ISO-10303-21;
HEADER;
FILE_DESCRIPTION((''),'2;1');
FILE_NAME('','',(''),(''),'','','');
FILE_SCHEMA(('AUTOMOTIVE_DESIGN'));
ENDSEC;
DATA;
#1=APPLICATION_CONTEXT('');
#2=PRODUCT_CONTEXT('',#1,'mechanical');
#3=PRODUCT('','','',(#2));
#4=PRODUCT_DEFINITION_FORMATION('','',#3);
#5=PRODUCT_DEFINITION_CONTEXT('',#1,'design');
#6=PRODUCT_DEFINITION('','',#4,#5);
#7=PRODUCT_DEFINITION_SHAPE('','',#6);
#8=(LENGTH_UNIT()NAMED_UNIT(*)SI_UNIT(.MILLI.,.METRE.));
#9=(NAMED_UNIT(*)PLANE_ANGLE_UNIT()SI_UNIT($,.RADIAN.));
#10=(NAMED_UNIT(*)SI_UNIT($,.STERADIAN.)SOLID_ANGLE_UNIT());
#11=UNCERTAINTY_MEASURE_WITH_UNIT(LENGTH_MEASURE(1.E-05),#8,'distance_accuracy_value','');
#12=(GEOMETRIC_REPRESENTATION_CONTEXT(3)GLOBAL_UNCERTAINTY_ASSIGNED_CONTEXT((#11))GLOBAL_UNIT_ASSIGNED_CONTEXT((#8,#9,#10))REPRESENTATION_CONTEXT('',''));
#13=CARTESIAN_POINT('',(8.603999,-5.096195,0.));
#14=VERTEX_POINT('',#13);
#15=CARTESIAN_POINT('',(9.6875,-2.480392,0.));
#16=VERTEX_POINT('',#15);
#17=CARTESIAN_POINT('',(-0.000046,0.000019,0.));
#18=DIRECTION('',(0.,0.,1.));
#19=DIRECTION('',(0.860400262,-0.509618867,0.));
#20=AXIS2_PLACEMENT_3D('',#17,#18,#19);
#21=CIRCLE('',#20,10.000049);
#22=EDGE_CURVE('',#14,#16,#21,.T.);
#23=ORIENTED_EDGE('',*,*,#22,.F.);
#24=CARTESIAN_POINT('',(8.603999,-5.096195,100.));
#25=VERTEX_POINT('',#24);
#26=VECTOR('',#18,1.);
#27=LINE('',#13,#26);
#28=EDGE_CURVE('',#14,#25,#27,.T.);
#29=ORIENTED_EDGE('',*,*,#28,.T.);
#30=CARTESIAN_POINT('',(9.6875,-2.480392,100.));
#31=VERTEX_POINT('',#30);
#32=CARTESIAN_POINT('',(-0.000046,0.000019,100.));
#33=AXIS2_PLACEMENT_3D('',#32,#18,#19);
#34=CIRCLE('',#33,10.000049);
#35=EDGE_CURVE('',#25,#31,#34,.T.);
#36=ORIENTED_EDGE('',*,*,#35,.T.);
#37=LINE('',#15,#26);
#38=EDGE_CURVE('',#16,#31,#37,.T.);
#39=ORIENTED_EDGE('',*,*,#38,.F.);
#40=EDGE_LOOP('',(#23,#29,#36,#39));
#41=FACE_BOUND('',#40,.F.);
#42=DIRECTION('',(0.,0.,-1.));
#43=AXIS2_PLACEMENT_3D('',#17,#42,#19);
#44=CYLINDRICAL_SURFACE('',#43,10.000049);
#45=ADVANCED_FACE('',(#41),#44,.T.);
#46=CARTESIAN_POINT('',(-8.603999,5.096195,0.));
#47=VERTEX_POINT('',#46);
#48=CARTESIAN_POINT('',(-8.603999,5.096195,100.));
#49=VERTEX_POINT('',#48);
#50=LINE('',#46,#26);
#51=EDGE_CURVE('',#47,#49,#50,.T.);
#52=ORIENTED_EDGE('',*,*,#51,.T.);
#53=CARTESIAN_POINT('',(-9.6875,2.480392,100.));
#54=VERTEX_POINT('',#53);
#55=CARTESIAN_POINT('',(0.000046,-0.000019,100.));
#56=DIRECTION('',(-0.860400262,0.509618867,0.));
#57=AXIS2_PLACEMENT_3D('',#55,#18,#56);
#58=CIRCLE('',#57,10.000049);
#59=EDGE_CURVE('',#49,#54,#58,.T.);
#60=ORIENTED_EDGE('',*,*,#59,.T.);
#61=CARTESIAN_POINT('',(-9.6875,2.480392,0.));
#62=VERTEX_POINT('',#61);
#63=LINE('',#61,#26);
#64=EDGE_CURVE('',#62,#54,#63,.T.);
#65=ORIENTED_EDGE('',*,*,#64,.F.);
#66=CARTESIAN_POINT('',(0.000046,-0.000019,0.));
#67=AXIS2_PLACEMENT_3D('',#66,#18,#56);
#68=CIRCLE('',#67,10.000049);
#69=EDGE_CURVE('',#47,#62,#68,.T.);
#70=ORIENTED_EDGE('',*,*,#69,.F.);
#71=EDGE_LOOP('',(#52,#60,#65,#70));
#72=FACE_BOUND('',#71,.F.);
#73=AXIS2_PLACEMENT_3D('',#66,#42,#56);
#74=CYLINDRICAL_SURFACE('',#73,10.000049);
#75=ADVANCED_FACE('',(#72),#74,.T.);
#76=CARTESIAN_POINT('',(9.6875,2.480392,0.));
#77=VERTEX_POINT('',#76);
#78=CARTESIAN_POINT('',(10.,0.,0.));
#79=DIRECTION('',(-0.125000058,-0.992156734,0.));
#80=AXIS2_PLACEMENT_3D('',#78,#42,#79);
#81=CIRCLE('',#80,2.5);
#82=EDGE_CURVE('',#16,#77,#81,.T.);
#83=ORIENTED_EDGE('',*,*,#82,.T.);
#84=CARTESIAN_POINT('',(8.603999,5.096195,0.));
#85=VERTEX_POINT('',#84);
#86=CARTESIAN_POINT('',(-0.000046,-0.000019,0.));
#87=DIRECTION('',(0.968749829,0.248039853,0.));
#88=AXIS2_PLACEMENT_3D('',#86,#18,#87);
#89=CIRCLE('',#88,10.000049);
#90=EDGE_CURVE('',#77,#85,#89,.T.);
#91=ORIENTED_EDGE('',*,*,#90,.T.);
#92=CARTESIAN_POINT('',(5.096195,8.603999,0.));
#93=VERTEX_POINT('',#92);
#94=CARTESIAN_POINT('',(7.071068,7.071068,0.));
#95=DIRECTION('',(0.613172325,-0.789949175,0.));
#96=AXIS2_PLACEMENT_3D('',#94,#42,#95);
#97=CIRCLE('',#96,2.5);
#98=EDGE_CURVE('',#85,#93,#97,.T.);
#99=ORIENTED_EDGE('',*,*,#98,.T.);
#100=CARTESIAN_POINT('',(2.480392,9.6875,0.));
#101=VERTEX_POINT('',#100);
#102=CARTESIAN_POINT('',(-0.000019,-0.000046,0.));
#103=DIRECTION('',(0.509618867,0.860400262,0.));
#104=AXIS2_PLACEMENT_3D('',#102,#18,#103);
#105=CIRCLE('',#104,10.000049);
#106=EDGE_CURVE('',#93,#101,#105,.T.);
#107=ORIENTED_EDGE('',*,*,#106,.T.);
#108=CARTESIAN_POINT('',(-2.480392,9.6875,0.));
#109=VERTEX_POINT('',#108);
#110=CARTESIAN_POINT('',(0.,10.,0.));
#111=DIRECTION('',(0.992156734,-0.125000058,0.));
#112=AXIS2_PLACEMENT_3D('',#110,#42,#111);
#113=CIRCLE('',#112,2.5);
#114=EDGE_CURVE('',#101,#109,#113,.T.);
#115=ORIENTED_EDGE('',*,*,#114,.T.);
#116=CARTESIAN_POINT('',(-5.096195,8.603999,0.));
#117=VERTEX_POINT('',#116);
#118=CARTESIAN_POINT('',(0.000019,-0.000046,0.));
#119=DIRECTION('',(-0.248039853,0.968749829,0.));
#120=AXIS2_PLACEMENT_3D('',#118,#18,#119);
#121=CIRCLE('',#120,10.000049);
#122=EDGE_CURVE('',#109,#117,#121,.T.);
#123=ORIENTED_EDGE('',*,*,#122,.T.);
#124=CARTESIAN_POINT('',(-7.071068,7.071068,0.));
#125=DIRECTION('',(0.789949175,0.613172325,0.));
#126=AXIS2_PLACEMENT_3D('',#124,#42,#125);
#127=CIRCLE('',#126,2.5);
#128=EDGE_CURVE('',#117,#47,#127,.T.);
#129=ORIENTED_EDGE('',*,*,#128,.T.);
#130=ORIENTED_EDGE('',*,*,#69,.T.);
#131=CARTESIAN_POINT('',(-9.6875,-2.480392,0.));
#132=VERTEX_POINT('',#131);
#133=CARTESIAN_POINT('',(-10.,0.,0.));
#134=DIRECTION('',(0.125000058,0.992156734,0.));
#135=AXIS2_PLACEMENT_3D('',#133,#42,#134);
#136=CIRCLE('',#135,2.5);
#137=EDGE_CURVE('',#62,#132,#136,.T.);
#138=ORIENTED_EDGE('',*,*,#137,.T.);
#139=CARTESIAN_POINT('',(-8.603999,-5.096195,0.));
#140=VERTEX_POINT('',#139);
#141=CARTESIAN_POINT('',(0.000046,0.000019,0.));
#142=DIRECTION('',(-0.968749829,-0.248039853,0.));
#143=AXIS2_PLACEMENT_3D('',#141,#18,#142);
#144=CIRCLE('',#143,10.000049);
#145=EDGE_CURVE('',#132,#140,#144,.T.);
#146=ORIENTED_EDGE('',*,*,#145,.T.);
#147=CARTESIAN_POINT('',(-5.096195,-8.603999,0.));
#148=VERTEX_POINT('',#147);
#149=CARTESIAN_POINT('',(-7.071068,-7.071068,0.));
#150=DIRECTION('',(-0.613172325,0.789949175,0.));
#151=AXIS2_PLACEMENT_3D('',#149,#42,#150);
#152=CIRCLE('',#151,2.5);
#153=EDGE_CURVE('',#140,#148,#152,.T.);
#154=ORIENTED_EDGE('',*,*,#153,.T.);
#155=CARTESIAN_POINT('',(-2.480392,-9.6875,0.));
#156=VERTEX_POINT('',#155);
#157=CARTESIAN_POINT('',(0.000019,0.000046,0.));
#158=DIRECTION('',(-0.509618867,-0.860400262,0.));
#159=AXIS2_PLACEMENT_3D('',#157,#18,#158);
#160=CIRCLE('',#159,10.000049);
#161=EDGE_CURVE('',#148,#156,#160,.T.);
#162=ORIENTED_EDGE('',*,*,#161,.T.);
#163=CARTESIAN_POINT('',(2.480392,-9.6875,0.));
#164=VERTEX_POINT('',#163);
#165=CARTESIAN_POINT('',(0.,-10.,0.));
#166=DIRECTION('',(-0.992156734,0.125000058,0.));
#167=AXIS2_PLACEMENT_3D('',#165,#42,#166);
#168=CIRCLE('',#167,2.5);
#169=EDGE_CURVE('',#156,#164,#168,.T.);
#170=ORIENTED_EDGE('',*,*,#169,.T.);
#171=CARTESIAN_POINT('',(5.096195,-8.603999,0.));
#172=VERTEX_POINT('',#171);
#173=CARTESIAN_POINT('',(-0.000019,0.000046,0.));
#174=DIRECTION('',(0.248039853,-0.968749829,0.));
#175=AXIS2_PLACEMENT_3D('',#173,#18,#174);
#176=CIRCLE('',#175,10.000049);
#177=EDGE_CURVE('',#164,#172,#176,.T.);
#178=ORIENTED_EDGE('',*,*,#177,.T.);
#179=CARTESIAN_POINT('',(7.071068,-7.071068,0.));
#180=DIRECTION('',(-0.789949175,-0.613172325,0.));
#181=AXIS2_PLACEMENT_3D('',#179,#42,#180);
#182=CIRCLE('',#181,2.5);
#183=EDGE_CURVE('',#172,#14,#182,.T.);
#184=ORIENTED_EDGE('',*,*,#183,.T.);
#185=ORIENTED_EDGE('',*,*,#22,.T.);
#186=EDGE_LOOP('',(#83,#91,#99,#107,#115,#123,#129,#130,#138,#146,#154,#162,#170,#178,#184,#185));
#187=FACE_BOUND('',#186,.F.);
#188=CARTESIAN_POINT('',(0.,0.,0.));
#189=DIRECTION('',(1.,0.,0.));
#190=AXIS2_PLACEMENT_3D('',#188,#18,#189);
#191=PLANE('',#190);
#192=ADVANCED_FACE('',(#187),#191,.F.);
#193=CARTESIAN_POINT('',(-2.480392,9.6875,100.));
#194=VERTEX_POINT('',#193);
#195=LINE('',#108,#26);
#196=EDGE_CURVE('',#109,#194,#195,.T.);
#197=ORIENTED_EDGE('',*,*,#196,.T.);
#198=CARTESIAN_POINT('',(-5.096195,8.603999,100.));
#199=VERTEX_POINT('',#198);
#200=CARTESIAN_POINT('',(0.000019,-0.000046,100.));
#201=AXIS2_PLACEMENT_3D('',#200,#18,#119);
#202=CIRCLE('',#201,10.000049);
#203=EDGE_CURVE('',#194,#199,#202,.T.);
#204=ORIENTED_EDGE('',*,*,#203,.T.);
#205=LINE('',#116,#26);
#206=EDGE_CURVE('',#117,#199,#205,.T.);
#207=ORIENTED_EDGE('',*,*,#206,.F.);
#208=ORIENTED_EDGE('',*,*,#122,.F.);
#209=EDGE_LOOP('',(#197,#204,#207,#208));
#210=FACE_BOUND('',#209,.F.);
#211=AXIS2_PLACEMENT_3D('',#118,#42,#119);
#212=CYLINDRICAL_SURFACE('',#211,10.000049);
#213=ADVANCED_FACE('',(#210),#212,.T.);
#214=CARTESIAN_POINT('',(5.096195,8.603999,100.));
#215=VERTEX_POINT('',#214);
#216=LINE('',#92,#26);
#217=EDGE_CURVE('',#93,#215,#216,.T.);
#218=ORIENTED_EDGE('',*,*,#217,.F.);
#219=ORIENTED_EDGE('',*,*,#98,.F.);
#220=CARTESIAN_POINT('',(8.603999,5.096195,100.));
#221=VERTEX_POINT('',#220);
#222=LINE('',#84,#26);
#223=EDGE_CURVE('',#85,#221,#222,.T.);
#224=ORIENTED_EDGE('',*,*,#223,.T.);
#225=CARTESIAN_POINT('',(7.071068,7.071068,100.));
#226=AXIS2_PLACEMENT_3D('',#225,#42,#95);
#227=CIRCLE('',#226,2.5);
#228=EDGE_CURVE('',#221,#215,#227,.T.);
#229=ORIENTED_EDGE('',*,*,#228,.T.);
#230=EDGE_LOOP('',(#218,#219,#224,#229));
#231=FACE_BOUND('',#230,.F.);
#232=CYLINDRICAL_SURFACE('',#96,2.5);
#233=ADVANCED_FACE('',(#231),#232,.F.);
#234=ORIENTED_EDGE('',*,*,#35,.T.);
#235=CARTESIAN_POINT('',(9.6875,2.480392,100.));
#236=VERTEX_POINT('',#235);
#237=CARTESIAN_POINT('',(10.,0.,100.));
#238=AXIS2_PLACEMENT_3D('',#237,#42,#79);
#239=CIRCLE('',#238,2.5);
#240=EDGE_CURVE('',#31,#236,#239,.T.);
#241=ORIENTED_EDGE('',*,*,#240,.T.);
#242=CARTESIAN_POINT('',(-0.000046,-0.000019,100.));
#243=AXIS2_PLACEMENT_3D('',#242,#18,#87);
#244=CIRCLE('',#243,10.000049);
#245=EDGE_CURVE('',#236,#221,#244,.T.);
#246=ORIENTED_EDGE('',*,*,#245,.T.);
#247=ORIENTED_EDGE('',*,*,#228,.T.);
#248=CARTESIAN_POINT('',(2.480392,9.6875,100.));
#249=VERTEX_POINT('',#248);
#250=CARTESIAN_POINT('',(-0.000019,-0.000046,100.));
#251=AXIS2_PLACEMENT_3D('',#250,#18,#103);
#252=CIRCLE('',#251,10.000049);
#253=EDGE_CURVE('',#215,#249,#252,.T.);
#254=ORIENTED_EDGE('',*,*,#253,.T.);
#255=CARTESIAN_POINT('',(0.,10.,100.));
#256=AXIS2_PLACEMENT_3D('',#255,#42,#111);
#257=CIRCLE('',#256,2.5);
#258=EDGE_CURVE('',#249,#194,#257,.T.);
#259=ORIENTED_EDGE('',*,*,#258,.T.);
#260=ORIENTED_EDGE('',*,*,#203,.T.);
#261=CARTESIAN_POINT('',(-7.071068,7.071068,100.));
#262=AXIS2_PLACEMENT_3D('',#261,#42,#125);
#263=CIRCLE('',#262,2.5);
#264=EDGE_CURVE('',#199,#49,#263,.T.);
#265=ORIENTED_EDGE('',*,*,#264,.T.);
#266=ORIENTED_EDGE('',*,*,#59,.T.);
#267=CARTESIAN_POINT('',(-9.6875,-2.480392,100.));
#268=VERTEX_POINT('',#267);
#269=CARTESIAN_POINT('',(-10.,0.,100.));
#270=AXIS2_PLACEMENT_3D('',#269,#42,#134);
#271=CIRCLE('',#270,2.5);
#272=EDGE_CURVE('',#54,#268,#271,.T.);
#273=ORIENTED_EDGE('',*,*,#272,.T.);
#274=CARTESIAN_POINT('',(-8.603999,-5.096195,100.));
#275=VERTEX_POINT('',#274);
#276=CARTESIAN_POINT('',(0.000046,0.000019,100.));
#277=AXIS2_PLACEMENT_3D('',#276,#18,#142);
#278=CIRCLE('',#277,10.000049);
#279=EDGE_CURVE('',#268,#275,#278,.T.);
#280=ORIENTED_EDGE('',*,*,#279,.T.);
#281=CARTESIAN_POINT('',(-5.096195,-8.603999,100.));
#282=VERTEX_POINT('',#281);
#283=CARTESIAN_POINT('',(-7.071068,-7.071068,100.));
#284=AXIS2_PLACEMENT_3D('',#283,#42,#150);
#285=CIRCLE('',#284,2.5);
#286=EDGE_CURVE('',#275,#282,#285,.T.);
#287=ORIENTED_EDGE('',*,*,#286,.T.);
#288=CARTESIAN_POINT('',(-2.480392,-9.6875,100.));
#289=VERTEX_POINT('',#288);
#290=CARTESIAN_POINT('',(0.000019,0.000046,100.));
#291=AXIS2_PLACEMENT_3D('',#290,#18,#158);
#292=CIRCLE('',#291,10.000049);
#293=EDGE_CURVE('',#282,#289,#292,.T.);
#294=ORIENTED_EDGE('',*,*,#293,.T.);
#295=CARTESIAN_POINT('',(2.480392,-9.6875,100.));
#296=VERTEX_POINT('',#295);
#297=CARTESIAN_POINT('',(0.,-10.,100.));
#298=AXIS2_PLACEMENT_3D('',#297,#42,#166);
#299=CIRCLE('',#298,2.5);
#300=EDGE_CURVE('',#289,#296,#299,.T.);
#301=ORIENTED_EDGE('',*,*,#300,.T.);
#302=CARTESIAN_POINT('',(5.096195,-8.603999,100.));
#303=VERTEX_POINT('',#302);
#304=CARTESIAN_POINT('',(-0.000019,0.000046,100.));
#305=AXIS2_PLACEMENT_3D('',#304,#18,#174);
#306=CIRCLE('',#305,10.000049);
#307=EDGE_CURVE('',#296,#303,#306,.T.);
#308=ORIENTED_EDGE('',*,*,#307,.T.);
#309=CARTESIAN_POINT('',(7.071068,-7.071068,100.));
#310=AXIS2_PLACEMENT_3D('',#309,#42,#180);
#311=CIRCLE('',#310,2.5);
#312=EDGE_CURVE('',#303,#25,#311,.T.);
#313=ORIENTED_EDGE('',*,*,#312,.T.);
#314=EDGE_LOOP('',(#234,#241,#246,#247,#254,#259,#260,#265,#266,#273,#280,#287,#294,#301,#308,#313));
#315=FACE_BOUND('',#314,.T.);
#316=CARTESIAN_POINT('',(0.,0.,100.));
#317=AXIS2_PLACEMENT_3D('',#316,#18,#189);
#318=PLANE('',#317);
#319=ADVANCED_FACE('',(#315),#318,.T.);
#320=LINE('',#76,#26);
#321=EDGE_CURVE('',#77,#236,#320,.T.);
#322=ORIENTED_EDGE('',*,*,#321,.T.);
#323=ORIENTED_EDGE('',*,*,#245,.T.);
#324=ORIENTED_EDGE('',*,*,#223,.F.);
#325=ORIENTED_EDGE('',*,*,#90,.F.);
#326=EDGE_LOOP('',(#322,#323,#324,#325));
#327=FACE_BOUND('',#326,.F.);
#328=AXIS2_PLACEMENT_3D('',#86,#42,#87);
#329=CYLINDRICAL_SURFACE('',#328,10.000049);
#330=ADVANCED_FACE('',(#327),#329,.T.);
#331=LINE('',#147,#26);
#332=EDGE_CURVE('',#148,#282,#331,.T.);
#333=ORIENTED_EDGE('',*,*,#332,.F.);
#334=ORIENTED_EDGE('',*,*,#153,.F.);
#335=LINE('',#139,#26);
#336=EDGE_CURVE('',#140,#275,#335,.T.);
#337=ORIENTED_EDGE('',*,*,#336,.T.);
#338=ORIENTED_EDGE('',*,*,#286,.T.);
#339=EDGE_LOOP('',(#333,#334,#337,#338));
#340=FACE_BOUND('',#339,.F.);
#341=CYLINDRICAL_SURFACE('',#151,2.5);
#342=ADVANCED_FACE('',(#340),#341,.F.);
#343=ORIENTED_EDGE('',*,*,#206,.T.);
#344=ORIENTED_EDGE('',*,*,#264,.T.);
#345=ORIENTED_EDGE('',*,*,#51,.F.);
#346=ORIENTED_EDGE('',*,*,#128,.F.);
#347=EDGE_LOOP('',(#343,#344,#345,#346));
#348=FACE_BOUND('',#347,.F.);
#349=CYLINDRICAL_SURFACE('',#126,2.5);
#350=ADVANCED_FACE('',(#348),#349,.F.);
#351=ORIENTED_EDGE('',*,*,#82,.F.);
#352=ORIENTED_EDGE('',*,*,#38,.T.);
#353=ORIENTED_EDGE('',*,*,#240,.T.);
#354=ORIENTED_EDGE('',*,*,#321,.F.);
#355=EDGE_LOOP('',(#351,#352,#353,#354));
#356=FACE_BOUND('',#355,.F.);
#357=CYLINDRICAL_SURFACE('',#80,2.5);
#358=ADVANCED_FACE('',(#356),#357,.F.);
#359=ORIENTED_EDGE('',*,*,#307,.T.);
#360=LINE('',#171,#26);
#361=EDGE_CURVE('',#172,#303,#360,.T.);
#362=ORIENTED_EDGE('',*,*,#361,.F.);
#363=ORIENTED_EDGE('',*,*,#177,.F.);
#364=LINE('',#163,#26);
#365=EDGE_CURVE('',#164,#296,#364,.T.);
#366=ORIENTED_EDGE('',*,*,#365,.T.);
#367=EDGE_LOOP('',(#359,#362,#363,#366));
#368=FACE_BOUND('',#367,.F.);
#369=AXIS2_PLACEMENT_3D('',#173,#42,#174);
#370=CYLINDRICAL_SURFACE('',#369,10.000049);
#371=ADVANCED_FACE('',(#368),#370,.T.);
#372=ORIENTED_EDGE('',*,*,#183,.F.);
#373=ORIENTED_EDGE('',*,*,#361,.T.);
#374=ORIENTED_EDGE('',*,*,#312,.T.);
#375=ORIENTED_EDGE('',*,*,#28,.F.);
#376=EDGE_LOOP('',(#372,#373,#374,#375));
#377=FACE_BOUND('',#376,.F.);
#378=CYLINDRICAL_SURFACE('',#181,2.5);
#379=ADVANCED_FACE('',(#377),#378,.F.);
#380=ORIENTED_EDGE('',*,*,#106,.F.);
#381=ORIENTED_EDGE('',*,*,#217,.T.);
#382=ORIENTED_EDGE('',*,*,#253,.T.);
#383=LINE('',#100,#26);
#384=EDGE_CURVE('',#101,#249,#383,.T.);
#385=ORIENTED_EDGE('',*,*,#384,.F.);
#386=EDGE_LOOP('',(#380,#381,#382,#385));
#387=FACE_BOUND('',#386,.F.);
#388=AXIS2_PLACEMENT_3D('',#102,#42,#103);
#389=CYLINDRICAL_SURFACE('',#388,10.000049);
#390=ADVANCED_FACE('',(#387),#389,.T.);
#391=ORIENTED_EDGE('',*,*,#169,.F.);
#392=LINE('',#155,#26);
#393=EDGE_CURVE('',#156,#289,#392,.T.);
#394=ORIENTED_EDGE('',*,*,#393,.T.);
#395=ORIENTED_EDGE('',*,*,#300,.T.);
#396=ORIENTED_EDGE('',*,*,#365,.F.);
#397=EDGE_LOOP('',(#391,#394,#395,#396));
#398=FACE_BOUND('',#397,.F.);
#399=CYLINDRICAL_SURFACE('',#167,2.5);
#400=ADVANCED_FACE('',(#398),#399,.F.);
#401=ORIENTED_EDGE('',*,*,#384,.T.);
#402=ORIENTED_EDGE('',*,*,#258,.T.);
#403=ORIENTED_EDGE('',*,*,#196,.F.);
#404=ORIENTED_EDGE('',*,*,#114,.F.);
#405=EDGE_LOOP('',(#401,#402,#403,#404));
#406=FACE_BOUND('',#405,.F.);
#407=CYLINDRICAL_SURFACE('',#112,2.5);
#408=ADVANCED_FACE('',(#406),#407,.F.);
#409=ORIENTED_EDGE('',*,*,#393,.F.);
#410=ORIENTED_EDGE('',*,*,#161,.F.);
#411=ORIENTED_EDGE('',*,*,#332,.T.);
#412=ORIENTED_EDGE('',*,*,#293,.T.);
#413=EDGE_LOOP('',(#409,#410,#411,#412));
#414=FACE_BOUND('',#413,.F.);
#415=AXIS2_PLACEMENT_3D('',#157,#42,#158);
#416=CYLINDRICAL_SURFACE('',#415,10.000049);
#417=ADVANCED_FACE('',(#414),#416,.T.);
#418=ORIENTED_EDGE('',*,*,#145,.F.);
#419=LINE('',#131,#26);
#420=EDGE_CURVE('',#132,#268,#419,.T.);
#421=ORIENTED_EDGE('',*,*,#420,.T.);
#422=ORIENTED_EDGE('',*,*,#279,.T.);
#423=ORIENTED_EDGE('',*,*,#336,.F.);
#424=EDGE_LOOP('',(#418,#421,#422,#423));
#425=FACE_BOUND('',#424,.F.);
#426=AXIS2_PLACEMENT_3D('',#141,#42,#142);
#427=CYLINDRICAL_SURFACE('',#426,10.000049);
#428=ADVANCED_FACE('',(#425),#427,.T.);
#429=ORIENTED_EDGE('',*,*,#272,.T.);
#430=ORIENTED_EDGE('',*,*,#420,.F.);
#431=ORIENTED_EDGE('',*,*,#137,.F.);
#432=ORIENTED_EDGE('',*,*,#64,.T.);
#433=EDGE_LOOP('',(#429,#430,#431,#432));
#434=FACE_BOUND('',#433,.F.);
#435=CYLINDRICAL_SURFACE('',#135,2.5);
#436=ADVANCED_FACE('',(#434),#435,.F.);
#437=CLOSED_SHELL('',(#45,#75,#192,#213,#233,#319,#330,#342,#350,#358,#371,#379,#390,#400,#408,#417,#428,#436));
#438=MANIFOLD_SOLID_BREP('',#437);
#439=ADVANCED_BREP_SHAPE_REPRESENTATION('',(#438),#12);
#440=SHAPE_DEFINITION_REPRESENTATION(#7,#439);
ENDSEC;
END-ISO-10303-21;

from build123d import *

# Parameters (mm, degrees)
F1_DEPTH = 100


with BuildPart() as f1:
    # F0 (on Top) → F1 (new body)
    with BuildSketch(Plane.XY):
        with BuildLine():
            ThreePointArc((8.603999, 5.096195), (5.303301, 5.303301), (5.096195, 8.603999))
            ThreePointArc((5.096195, 8.603999), (3.826834, 9.238795), (2.480392, 9.6875))
            ThreePointArc((2.480392, 9.6875), (0, 7.5), (-2.480392, 9.6875))
            ThreePointArc((-2.480392, 9.6875), (-3.826834, 9.238795), (-5.096195, 8.603999))
            ThreePointArc((-5.096195, 8.603999), (-5.303301, 5.303301), (-8.603999, 5.096195))
            ThreePointArc((-8.603999, 5.096195), (-9.238795, 3.826834), (-9.6875, 2.480392))
            ThreePointArc((-9.6875, 2.480392), (-7.5, 0), (-9.6875, -2.480392))
            ThreePointArc((-9.6875, -2.480392), (-9.238795, -3.826834), (-8.603999, -5.096195))
            ThreePointArc((-8.603999, -5.096195), (-5.303301, -5.303301), (-5.096195, -8.603999))
            ThreePointArc((-5.096195, -8.603999), (-3.826834, -9.238795), (-2.480392, -9.6875))
            ThreePointArc((-2.480392, -9.6875), (0, -7.5), (2.480392, -9.6875))
            ThreePointArc((2.480392, -9.6875), (3.826834, -9.238795), (5.096195, -8.603999))
            ThreePointArc((5.096195, -8.603999), (5.303301, -5.303301), (8.603999, -5.096195))
            ThreePointArc((8.603999, -5.096195), (9.238795, -3.826834), (9.6875, -2.480392))
            ThreePointArc((9.6875, -2.480392), (7.5, 0), (9.6875, 2.480392))
            ThreePointArc((9.6875, 2.480392), (9.238795, 3.826834), (8.603999, 5.096195))
        make_face()
    extrude(amount=F1_DEPTH)


solid = f1.part
